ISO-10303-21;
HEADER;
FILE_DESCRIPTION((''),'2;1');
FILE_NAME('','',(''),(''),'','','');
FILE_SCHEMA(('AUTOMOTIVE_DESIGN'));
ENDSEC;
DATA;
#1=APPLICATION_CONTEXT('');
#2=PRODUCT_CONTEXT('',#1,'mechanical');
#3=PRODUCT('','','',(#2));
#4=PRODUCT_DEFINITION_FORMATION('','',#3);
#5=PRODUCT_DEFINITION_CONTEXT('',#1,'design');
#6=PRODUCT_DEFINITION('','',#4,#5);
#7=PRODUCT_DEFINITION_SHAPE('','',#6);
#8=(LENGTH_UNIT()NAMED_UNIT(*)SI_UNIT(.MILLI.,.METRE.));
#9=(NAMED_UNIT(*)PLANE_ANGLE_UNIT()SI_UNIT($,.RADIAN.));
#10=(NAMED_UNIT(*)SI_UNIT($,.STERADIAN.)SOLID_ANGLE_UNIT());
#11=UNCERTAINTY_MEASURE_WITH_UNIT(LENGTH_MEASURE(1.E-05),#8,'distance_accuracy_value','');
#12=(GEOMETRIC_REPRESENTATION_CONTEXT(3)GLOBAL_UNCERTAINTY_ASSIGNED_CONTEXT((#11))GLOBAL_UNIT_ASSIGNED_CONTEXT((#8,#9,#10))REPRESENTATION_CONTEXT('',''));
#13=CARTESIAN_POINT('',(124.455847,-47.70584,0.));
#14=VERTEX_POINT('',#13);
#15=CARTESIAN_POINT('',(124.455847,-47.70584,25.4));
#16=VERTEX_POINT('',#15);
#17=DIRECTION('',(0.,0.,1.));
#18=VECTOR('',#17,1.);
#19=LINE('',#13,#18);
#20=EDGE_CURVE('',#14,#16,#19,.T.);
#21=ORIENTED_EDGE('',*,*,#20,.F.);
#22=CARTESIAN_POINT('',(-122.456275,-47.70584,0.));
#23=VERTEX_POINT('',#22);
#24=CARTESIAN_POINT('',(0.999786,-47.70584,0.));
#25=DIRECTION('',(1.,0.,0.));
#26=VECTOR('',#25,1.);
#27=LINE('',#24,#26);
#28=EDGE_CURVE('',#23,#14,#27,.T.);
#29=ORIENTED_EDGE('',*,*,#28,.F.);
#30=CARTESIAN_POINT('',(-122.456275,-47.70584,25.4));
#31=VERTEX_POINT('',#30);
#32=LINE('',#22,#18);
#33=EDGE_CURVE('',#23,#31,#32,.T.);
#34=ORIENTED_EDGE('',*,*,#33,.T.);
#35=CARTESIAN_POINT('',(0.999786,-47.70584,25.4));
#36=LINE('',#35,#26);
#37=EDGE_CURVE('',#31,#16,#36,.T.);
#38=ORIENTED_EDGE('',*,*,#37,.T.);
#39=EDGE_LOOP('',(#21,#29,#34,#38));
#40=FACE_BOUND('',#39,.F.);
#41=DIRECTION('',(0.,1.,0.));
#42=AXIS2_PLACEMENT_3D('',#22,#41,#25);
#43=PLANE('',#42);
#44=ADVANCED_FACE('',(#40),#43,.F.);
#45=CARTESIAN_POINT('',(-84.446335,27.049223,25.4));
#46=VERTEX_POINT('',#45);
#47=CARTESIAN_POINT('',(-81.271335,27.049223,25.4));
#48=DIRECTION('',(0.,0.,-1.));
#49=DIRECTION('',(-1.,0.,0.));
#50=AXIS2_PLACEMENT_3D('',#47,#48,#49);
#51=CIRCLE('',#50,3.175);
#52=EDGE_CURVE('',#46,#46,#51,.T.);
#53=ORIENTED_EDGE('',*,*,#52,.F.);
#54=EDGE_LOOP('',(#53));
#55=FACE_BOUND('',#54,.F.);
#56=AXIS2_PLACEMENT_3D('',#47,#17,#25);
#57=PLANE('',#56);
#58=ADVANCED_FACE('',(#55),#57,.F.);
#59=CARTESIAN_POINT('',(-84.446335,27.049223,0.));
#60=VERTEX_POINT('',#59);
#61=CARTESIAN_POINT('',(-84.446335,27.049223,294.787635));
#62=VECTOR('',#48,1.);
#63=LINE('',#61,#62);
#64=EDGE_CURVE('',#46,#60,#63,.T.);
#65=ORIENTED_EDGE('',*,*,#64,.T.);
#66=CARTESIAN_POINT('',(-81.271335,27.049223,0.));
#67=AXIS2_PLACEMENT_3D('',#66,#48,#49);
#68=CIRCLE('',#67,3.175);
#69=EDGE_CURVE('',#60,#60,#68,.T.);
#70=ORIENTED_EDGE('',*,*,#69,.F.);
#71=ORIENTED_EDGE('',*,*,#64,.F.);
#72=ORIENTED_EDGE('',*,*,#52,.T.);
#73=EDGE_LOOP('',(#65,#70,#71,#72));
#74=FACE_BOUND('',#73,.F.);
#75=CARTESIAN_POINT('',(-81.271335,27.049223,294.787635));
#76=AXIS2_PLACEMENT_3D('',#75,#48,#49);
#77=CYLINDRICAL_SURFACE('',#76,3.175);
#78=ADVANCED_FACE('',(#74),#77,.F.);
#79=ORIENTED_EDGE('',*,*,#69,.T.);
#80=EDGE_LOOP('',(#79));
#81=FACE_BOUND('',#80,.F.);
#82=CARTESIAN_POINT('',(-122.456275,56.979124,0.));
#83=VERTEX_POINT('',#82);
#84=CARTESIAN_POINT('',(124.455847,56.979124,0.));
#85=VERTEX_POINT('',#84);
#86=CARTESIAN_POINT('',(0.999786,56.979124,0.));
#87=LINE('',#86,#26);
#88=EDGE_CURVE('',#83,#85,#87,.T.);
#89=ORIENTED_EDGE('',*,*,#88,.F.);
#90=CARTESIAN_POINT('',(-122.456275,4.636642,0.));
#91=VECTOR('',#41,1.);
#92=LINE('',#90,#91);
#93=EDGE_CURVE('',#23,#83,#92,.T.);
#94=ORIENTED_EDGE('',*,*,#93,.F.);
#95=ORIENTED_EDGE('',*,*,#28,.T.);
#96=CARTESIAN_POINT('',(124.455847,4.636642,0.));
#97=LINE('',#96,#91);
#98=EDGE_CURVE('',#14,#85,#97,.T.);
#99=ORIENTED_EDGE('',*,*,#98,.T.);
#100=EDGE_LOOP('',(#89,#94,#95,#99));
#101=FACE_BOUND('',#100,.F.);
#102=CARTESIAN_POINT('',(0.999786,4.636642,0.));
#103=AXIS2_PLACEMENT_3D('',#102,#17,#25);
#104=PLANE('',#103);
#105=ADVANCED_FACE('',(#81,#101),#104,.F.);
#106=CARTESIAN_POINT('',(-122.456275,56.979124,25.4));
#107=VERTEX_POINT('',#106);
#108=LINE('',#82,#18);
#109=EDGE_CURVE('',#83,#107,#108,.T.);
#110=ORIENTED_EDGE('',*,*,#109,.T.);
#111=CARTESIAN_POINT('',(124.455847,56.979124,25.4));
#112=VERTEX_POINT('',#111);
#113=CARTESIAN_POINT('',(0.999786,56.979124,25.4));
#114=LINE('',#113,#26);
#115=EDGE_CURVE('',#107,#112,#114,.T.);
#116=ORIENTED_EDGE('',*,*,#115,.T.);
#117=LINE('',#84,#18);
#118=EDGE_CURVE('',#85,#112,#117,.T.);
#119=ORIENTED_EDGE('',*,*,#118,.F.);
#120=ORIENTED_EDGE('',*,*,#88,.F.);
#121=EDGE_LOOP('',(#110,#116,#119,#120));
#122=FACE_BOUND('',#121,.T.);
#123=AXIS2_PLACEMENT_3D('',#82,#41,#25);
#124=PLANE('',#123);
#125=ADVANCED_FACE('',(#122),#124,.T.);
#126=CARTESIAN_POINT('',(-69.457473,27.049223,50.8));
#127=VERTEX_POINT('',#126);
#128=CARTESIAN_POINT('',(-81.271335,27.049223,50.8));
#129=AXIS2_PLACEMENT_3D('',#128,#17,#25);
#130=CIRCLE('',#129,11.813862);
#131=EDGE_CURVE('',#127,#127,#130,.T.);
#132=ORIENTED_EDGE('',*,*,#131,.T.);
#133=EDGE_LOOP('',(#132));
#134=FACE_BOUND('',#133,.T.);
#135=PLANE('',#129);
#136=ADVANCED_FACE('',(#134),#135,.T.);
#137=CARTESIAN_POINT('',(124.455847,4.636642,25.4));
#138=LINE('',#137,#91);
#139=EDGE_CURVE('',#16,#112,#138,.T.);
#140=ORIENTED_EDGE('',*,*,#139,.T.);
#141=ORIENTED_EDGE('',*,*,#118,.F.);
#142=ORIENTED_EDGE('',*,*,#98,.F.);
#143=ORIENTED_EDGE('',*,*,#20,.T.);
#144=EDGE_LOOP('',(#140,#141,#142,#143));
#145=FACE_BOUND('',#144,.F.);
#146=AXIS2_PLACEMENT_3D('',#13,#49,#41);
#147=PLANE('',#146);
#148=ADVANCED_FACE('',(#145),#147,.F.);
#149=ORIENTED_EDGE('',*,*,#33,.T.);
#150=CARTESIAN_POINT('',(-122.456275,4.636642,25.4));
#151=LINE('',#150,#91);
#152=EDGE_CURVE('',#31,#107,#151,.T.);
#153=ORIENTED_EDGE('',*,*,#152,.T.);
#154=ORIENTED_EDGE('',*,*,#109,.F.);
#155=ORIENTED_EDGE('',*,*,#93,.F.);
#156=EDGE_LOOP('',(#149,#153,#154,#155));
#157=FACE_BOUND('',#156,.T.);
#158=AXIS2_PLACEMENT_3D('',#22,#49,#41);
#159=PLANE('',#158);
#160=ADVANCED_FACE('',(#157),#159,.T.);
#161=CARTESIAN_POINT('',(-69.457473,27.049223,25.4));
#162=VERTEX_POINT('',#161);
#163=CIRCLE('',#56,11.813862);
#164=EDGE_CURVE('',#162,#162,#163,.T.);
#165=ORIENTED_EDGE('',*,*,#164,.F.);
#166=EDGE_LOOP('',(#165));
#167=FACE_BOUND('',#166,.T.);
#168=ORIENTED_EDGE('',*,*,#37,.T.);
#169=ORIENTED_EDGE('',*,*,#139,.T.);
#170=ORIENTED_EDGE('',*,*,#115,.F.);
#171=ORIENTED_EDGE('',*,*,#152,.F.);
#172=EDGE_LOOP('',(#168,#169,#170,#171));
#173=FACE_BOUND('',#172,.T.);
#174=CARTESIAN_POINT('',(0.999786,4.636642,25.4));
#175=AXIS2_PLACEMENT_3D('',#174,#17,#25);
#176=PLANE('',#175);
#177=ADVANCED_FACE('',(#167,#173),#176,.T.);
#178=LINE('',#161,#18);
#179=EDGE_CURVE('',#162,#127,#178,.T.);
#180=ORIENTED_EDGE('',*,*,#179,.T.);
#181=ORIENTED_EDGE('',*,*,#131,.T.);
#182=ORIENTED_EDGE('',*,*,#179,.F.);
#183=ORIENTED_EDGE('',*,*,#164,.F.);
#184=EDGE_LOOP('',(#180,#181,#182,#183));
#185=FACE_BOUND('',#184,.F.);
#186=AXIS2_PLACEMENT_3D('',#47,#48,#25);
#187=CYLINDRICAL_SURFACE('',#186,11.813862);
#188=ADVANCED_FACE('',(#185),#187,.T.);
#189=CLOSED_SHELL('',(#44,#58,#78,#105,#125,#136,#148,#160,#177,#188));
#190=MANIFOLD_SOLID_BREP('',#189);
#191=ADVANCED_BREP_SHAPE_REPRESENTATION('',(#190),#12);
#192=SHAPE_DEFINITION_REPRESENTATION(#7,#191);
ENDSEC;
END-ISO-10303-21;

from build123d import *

# Parameters (mm, degrees)
F0_W     = 246.912122
F0_H     = 104.684964
F1_DEPTH = 25.4
F3_D     = 6.35
F2_R     = 11.813862
F4_DEPTH = 25.4


with BuildPart() as f1:
    # F0 (on Top) → F1 (new body)
    with BuildSketch(Plane.XY):
        with Locations((0.999786, 4.636642)):
            Rectangle(F0_W, F0_H)
    extrude(amount=F1_DEPTH)

    # F3 (through all)
    with Locations(Plane.XY.offset(25.4)):
        with Locations((-81.271335, 27.049223)):
            Hole(F3_D / 2)

    # F2 (on face) → F4 (join)
    with BuildSketch(Plane.XY.offset(25.4)):
        with Locations((-81.271335, 27.049223)):
            Circle(F2_R)
    extrude(amount=F4_DEPTH)


solid = f1.part
